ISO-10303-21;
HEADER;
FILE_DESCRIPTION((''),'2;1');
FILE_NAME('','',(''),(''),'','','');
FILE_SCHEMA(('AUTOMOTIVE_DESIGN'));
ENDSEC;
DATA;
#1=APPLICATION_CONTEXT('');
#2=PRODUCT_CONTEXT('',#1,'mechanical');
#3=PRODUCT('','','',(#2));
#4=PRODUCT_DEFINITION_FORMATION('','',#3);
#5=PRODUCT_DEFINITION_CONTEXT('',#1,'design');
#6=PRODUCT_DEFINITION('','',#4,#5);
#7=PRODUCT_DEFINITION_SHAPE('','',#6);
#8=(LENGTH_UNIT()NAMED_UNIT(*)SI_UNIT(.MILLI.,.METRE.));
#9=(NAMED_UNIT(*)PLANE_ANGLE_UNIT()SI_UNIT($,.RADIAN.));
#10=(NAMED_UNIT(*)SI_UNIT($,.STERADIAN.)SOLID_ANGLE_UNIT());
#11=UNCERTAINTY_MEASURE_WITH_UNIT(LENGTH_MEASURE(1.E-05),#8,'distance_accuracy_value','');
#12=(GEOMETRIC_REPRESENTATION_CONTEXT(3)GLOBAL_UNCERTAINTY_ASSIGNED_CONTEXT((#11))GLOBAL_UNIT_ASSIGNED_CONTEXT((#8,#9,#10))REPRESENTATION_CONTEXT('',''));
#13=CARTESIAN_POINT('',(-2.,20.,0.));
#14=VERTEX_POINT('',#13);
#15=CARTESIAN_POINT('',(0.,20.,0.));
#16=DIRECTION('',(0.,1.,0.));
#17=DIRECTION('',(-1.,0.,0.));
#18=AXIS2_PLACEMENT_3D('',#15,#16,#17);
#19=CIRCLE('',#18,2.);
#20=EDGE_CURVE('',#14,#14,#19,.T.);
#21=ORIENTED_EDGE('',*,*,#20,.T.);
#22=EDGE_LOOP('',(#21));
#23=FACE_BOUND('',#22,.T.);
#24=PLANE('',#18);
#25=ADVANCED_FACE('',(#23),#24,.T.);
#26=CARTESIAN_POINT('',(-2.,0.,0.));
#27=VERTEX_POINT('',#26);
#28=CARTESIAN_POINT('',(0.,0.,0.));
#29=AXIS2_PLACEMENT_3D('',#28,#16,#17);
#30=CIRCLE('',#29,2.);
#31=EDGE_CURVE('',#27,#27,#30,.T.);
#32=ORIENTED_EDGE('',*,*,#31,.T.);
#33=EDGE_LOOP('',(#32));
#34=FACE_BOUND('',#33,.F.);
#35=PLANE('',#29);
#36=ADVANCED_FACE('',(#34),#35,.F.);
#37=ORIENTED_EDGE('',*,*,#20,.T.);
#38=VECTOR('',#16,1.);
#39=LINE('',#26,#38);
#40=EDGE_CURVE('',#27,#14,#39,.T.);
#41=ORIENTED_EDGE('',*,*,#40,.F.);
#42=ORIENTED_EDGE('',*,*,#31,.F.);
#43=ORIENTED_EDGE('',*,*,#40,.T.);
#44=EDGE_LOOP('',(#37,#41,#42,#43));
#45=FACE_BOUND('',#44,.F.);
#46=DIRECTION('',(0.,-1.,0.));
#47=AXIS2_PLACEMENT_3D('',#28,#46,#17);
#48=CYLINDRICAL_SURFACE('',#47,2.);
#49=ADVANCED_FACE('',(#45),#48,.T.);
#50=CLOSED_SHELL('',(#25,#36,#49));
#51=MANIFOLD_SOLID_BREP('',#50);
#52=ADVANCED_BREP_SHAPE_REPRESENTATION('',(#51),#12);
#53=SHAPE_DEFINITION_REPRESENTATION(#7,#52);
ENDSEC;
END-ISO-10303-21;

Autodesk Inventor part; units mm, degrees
ref_plane "YZ Plane" through (0, 0, 0) normal (1, 0, 0) x (0, 1, 0)
ref_plane "XZ Plane" through (0, 0, 0) normal (0, 1, 0) x (-1, 0, 0)
ref_plane "XY Plane" through (0, 0, 0) normal (0, 0, 1) x (1, 0, 0)
sketch "Sketch1" plane through (0, 0, 0) normal (0, 1, 0) x (-1, 0, 0)
  circle A0 centre (0, 0) radius 2
  dimension "d0" = 4
extrude "Extrusion1" add sketch "Sketch1" along normal blind 20
properties part number "4_20"
